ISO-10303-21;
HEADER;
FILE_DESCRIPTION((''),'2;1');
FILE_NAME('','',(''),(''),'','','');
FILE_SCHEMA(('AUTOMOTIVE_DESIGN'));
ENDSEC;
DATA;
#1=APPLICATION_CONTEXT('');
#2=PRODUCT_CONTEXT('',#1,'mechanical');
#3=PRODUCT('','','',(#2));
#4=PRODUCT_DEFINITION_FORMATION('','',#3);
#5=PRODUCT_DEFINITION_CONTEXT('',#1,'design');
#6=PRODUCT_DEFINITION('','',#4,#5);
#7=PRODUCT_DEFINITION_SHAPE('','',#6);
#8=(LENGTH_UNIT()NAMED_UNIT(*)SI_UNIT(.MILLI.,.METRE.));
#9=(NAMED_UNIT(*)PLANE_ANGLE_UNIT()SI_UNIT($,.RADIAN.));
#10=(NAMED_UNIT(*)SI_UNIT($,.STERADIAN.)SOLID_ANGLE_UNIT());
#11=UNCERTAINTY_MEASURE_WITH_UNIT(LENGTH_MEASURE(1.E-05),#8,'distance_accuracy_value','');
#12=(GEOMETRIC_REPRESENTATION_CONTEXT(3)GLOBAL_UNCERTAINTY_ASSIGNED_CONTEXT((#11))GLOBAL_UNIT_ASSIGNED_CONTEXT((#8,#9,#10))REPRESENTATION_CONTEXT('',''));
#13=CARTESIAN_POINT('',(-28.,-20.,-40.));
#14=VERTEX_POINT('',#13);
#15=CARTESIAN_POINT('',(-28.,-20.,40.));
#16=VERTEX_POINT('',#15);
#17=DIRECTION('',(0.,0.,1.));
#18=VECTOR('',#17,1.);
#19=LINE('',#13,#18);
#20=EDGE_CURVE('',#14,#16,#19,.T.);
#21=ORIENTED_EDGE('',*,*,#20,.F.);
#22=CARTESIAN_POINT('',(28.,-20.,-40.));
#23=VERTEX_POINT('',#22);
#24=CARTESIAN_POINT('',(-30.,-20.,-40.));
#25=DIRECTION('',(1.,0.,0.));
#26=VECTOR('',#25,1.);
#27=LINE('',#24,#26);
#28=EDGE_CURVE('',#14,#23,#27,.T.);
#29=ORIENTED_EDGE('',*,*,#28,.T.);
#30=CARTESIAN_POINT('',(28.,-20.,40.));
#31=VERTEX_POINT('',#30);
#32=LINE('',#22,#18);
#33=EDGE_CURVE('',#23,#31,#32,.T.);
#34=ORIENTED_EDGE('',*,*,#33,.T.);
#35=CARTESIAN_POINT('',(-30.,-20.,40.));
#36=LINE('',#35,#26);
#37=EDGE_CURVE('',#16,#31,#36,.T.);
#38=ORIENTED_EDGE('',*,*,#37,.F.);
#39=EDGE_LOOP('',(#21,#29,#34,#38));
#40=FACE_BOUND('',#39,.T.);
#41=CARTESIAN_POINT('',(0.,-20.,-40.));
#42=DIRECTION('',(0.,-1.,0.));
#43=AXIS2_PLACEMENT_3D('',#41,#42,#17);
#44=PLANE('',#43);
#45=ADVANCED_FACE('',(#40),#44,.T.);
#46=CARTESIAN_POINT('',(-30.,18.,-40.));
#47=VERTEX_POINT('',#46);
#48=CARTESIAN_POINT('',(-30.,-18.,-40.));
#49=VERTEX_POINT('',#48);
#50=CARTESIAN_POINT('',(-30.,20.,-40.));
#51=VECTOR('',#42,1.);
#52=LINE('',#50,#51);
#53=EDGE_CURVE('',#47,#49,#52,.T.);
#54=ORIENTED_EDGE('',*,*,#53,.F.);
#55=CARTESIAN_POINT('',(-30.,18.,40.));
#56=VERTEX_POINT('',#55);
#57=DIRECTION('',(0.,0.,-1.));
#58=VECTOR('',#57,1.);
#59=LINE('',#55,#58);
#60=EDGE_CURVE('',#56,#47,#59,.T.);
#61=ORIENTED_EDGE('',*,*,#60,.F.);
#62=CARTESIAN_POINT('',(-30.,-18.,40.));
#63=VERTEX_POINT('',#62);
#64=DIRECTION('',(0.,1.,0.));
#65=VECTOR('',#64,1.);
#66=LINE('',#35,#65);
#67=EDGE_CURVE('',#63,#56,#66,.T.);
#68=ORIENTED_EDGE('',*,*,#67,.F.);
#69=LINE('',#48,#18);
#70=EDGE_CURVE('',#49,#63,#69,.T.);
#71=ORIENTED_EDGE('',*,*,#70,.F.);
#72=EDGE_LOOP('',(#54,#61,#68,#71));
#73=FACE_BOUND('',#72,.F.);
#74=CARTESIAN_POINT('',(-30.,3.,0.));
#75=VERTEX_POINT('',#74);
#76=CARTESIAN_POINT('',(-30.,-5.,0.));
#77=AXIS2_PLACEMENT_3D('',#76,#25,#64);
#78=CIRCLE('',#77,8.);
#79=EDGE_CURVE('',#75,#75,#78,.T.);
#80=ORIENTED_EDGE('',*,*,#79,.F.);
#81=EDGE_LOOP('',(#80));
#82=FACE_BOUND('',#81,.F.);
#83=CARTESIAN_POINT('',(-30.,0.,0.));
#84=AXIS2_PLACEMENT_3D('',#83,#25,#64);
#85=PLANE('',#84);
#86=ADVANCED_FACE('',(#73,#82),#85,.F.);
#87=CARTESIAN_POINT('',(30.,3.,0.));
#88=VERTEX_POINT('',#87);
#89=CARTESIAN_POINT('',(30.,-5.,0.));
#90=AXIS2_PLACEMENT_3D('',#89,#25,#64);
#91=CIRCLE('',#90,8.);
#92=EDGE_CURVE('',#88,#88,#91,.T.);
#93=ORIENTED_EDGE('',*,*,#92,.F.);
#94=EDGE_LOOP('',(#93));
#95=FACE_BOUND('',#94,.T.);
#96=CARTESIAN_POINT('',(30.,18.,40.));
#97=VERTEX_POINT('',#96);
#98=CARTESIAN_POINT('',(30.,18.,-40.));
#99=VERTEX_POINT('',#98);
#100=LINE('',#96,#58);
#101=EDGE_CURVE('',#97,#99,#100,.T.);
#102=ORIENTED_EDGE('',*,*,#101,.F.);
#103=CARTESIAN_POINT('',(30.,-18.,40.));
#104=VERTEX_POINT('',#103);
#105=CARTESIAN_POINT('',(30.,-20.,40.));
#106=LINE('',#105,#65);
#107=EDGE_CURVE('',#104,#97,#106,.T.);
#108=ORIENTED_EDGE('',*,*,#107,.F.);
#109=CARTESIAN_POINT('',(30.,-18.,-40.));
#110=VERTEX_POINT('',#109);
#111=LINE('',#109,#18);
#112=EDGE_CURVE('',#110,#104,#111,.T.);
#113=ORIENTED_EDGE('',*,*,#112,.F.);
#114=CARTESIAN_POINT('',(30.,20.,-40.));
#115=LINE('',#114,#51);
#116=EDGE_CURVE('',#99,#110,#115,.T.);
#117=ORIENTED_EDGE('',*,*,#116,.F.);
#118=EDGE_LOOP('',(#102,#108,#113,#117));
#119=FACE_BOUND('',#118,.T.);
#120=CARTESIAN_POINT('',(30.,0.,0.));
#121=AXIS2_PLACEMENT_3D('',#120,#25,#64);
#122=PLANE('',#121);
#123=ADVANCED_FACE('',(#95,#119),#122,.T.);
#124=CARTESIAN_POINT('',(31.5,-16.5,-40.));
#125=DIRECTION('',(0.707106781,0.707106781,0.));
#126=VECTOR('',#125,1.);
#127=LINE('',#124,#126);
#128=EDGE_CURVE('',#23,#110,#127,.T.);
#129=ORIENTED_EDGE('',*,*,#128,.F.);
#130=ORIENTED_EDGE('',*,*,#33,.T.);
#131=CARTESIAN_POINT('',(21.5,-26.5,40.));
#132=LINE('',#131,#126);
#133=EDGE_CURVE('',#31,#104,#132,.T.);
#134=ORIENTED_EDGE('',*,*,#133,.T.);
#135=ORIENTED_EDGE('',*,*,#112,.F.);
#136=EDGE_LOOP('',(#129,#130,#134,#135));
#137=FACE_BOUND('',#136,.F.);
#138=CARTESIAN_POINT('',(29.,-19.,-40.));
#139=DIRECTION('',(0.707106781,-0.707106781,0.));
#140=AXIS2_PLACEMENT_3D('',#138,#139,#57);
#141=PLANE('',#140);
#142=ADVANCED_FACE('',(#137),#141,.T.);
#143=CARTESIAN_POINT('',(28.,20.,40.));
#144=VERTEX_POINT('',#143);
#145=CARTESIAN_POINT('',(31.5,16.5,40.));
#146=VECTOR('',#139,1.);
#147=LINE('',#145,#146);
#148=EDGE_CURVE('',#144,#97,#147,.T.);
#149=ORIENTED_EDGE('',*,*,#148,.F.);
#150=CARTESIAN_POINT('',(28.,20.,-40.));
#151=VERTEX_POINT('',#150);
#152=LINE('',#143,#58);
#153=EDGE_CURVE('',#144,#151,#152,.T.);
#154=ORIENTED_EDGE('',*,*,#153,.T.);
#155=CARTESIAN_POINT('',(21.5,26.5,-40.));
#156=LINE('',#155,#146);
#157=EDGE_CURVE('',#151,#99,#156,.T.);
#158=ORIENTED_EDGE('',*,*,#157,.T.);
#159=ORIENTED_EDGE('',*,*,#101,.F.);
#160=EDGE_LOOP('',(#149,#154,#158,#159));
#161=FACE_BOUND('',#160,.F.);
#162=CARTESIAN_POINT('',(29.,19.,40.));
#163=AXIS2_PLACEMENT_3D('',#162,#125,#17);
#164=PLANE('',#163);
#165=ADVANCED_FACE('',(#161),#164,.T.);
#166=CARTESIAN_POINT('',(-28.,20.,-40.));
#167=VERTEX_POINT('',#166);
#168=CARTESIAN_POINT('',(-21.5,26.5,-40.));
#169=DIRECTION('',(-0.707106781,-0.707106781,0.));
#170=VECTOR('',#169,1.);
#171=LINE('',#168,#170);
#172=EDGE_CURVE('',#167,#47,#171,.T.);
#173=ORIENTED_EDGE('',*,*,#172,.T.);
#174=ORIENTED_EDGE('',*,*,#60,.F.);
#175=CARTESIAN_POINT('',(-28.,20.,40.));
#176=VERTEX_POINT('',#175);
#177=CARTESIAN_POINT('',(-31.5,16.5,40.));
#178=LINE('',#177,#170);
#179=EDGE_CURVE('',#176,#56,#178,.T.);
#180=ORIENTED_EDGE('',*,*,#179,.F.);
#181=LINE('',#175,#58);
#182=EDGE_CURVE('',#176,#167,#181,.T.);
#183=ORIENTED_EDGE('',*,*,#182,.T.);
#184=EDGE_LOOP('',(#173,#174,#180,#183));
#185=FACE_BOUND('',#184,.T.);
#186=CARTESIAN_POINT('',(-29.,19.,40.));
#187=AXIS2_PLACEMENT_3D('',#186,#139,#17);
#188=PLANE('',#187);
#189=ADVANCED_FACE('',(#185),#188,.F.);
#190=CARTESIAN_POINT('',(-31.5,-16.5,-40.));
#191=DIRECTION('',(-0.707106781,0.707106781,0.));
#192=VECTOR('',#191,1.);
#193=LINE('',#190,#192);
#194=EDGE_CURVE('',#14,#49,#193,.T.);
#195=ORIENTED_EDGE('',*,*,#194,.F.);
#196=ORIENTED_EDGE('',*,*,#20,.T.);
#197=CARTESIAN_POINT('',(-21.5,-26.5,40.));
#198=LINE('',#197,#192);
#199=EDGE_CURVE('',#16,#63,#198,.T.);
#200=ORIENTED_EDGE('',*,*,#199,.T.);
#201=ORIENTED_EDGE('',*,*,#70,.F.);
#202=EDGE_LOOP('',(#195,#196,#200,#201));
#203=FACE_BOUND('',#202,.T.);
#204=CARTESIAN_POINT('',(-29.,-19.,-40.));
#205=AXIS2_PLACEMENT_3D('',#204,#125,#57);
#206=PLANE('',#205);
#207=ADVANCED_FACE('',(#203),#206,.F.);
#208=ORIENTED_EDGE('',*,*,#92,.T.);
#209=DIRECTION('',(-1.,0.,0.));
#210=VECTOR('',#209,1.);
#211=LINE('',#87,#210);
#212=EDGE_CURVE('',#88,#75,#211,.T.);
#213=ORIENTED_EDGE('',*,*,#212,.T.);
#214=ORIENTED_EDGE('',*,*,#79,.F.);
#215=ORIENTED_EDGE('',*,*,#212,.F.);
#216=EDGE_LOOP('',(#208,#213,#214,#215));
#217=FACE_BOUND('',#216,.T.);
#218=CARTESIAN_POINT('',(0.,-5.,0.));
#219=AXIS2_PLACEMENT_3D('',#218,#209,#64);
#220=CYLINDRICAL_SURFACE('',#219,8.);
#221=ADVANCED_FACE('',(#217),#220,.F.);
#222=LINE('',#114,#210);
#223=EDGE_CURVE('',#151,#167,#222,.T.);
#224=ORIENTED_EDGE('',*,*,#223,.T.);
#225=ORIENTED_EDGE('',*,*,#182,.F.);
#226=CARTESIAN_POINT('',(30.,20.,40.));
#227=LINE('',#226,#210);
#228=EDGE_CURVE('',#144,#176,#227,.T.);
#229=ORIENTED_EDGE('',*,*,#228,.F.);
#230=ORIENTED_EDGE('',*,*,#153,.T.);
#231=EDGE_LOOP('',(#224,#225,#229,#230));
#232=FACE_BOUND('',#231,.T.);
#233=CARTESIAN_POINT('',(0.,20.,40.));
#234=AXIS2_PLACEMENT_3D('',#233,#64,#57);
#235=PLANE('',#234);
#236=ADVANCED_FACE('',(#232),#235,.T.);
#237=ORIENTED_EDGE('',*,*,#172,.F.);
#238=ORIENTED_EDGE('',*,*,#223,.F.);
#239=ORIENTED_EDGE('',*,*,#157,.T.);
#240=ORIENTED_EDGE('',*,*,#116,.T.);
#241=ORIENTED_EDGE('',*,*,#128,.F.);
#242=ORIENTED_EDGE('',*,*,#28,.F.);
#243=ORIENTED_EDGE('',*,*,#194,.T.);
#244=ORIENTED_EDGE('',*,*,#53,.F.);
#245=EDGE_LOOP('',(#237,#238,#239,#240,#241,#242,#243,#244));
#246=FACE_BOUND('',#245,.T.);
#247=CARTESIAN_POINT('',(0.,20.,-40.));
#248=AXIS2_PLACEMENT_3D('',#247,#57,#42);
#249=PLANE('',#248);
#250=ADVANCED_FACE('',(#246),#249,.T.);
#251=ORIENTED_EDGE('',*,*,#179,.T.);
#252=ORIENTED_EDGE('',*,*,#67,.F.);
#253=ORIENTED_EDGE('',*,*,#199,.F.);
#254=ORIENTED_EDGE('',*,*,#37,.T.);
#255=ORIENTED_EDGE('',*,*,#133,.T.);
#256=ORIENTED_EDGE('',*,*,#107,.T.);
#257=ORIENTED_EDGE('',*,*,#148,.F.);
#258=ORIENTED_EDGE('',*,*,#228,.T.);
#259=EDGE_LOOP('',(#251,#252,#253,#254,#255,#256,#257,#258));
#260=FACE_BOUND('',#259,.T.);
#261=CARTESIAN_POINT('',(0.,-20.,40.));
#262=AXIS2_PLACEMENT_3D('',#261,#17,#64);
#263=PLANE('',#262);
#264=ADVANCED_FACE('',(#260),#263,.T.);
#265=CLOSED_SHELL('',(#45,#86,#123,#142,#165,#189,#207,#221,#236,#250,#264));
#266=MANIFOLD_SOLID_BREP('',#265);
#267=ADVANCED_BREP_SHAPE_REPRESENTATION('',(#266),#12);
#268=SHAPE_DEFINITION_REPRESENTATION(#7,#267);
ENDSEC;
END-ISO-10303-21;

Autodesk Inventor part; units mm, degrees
ref_plane "YZ Plane" through (0, 0, 0) normal (1, 0, 0) x (0, 1, 0)
ref_plane "XZ Plane" through (0, 0, 0) normal (0, 1, 0) x (-1, 0, 0)
ref_plane "XY Plane" through (0, 0, 0) normal (0, 0, 1) x (1, 0, 0)
sketch "Sketch1" plane through (0, 0, 0) normal (1, 0, 0) x (0, 1, 0)
  line L0 (-20, 40) -> (20, 40)
  line L1 (20, 40) -> (20, -40)
  line L2 (20, -40) -> (-20, -40)
  line L3 (-20, -40) -> (-20, 40)
  line L4 (-20, 40) -> (20, -40) construction
  line L5 (20, 40) -> (-20, -40) construction
  circle A0 centre (-5, 0) radius 8
  line L6 (0, 56) -> (0, -56) construction
  line L7 (-28, 0) -> (28, 0) construction
  point P0 (0, 0)
  dimension "d0" = 80
  dimension "d1" = 40
  dimension "d2" = 15
  dimension "d3" = 16
extrude "Extrusion1" add sketch "Sketch1" along normal mid plane 60
chamfer "Chamfer1" distance 2 angle 45 4 edges at (-30, -20, 0) (-30, 20, 0) (30, 20, 0) (30, -20, 0)
properties part number "10-006-ACTR-FIX" material "Steel"
